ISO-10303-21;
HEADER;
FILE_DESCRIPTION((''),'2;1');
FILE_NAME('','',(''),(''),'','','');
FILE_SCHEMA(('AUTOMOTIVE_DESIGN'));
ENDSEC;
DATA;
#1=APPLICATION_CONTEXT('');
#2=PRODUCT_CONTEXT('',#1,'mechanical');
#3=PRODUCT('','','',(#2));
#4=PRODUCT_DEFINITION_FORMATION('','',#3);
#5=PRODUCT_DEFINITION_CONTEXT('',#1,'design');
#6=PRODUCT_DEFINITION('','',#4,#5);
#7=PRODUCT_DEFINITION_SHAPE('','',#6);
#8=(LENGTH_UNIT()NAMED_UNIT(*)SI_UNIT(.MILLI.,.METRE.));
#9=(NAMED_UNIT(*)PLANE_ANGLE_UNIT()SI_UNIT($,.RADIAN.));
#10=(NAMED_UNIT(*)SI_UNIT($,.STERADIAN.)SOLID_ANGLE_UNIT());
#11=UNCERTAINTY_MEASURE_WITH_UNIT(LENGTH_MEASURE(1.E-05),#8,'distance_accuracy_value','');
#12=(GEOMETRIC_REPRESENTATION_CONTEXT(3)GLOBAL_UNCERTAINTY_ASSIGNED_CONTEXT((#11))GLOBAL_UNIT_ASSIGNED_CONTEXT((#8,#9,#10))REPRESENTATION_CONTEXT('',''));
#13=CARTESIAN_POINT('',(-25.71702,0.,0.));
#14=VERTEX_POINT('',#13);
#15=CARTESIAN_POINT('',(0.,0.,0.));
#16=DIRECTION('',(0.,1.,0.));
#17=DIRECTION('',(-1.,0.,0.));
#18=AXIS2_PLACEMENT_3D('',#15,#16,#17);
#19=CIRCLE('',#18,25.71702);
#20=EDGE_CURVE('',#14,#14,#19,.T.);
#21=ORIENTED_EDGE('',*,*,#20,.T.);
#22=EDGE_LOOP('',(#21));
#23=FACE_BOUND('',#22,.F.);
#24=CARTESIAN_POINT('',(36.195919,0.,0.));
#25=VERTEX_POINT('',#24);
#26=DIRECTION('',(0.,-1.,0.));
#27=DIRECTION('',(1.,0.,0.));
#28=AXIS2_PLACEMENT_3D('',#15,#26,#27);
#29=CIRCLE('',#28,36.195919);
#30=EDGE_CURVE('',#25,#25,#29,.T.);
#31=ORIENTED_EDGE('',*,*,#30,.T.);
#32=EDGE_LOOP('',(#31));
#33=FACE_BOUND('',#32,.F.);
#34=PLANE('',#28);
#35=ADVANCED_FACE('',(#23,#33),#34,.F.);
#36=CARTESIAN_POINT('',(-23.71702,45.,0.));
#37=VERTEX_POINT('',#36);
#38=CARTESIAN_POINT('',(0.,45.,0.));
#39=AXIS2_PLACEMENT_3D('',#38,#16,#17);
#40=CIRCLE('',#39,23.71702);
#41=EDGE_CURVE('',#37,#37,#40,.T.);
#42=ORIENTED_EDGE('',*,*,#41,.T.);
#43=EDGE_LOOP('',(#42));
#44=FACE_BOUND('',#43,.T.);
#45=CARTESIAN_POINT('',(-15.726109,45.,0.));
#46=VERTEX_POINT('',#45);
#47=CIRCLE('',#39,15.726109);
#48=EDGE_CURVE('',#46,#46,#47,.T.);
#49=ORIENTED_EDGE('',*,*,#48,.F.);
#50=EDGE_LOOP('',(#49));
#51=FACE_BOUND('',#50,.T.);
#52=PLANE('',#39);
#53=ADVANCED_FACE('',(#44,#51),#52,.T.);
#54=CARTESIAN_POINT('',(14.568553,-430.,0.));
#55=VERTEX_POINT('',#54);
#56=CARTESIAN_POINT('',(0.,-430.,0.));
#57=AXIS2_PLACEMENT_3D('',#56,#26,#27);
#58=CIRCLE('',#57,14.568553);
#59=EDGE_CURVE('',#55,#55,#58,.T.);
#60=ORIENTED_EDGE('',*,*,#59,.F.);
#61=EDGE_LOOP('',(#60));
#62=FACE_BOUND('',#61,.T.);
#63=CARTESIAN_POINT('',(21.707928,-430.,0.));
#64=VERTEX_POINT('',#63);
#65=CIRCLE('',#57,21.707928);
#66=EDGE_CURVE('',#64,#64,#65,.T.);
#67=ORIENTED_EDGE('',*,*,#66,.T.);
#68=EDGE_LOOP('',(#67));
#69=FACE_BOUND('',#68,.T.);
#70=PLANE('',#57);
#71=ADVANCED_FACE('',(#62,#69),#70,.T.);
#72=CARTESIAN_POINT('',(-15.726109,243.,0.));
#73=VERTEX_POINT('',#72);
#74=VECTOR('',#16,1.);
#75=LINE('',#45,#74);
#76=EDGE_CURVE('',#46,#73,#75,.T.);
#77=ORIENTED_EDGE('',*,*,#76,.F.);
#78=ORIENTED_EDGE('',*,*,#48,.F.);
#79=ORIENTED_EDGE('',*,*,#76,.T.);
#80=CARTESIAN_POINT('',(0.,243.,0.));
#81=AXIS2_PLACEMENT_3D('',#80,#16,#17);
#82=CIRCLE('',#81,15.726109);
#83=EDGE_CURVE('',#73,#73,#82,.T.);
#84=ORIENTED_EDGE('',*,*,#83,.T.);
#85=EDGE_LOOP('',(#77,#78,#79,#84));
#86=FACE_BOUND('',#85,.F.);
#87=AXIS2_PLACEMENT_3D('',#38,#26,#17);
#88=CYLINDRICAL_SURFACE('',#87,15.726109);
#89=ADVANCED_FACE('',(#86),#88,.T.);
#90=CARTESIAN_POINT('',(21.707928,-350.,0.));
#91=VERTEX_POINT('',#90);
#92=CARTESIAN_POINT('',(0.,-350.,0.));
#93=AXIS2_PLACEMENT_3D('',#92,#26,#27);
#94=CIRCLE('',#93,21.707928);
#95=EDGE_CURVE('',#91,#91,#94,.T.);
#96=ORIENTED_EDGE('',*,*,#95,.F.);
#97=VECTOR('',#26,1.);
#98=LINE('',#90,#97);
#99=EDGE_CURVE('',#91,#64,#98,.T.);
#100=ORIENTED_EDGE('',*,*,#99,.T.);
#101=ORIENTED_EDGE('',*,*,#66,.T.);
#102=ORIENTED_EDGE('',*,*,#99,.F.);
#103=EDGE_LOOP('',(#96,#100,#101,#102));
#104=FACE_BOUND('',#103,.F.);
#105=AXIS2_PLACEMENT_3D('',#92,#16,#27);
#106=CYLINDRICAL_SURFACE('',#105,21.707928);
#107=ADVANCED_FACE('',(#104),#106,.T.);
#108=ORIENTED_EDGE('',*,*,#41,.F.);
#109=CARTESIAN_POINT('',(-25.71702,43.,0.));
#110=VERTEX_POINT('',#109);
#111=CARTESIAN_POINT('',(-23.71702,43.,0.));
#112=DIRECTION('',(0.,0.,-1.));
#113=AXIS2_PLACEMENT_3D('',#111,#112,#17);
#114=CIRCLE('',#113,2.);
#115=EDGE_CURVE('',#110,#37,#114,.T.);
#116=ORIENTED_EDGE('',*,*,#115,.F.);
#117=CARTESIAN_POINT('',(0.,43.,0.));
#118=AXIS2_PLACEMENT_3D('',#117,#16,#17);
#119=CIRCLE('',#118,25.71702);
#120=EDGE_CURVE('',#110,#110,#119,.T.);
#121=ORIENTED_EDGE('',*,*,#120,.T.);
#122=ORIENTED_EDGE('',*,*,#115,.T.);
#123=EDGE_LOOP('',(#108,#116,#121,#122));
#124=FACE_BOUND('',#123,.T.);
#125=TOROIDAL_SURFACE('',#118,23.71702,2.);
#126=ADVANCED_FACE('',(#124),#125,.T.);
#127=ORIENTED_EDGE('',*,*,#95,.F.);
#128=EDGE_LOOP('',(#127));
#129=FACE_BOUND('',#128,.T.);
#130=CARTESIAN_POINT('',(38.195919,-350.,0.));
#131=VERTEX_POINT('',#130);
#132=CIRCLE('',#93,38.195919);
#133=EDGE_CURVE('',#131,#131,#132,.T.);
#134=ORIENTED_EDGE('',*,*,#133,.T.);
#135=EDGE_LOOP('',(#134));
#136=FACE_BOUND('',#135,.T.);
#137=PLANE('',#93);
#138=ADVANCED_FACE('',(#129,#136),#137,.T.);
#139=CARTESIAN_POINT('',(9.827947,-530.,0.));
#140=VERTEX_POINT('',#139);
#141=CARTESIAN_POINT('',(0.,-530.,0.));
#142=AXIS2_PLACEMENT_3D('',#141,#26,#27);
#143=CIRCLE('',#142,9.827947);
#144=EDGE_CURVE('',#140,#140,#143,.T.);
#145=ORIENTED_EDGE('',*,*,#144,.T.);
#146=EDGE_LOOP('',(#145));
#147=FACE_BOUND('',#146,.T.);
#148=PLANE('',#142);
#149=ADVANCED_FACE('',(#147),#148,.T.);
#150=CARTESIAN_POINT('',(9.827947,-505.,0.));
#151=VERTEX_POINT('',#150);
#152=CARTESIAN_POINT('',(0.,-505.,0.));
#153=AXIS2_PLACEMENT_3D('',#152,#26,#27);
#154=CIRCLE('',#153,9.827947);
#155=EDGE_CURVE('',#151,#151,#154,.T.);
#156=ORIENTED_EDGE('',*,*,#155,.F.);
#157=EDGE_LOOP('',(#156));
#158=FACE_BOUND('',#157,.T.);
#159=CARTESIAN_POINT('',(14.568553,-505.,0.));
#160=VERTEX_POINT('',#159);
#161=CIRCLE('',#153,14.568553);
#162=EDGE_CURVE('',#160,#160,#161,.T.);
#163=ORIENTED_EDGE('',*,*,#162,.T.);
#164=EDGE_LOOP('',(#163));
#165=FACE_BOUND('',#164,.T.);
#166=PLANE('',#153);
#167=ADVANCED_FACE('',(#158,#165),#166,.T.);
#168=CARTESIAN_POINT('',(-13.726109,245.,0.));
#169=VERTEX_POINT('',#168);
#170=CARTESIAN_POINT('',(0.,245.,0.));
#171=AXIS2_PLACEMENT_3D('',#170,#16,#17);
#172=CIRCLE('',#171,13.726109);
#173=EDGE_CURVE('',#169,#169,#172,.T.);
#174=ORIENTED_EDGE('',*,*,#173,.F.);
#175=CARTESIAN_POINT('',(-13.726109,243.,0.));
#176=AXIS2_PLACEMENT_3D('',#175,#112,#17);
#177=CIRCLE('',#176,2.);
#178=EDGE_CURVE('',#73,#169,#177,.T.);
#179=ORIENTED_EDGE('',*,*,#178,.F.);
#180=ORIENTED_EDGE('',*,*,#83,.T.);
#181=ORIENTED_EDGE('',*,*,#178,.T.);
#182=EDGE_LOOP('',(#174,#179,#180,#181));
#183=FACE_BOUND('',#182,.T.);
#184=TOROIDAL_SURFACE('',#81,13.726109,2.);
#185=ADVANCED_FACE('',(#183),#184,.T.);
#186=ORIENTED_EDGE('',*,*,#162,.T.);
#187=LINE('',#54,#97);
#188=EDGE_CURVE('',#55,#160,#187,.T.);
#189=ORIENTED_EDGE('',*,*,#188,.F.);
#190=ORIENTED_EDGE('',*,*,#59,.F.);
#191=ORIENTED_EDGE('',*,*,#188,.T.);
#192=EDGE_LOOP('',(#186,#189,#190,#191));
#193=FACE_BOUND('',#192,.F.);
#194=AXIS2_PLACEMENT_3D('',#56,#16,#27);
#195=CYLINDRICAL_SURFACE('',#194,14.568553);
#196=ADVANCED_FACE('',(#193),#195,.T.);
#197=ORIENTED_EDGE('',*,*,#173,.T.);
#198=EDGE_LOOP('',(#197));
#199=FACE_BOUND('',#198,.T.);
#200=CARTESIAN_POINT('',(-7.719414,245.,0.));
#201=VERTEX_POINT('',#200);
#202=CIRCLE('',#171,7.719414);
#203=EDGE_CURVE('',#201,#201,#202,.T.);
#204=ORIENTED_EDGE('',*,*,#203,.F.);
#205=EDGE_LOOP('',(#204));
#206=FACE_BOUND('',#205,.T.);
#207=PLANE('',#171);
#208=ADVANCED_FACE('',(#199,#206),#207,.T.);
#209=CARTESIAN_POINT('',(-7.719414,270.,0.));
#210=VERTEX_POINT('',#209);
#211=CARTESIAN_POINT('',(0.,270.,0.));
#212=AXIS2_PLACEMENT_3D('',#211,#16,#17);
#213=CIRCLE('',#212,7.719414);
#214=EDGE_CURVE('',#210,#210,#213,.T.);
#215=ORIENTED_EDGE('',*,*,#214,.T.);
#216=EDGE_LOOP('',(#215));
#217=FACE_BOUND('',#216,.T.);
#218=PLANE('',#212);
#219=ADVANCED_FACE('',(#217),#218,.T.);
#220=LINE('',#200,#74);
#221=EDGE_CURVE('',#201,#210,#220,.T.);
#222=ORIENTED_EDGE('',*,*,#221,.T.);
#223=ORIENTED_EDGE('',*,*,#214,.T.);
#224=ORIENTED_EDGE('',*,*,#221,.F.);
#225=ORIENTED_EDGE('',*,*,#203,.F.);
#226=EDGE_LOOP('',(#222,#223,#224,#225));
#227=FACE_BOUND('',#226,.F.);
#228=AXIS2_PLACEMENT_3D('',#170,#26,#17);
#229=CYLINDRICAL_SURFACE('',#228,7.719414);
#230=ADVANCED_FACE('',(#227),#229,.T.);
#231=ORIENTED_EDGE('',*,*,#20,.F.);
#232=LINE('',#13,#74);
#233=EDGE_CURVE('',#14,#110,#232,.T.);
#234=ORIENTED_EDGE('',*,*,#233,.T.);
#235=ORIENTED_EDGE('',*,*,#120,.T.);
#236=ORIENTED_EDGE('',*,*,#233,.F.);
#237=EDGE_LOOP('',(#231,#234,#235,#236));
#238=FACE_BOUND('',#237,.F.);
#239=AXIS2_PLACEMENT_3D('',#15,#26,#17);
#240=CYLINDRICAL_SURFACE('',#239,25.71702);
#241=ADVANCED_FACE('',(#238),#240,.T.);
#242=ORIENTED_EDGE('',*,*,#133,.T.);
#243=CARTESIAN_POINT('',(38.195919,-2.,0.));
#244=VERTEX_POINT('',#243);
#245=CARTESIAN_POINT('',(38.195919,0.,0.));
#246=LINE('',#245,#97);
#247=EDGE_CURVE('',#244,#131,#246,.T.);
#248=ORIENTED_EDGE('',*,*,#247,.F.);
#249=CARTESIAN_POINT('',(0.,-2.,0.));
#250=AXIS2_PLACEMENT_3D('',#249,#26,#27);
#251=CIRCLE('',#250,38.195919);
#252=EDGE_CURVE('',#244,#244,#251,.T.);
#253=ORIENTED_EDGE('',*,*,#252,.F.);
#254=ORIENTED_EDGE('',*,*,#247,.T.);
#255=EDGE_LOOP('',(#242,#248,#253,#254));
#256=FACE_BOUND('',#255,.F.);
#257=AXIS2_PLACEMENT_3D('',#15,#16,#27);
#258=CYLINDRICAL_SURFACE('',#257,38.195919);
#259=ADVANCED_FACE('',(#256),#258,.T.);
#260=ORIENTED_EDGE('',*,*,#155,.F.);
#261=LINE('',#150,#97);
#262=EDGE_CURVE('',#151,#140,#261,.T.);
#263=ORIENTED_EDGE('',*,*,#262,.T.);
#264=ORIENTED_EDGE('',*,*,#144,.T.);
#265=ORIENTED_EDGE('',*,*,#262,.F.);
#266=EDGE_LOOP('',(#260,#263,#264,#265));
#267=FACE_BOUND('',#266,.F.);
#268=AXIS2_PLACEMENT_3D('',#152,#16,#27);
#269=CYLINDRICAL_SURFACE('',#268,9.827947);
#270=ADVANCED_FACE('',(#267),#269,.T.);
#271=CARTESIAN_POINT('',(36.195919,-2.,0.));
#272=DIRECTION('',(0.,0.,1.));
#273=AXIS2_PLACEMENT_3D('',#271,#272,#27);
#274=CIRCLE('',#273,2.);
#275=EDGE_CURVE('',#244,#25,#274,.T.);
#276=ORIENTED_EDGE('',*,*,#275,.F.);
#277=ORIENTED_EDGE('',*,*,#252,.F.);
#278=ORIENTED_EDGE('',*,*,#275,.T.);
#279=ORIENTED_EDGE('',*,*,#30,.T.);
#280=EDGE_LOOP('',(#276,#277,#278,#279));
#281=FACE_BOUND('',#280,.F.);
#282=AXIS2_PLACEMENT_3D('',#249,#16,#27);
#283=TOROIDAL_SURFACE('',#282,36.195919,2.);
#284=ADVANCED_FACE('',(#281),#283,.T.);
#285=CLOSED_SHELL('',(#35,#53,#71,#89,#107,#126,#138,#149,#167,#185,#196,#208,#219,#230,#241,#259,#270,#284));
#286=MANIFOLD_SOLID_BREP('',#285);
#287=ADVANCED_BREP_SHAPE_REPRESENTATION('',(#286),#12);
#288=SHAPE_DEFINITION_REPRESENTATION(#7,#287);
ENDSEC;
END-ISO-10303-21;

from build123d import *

# Parameters (mm, degrees)
F0_R      = 38.195919
F1_DEPTH  = 350
F2_R      = 25.71702
F3_DEPTH  = 45
F4_R      = 15.726109
F5_DEPTH  = 200
F6_R      = 2
F7_R      = 7.719414
F8_DEPTH  = 25
F9_R      = 21.707928
F10_DEPTH = 80
F11_R     = 14.568553
F12_DEPTH = 75
F13_R     = 9.827947
F14_DEPTH = 25


with BuildPart() as f1:
    # F0 (on Front) → F1 (new body)
    with BuildSketch(Plane.XZ):
        Circle(F0_R)
    extrude(amount=F1_DEPTH)

    # F2 (on face) → F3 (join)
    with BuildSketch(Plane(origin=(0, 0, 0), x_dir=(-1, 0, 0), z_dir=(0, 1, 0))):
        Circle(F2_R)
    extrude(amount=F3_DEPTH)

    # F4 (on face) → F5 (join)
    with BuildSketch(Plane(origin=(0, 45, 0), x_dir=(-1, 0, 0), z_dir=(0, 1, 0))):
        Circle(F4_R)
    extrude(amount=F5_DEPTH)

    # F6
    f6_edges = [f1.edges().sort_by_distance(p)[0] for p in [
        (15.726109, 245, 0),
        (25.71702, 45, 0),
        (-38.195919, 0, 0),
    ]]
    fillet(f6_edges, radius=F6_R)

    # F7 (on face) → F8 (join)
    with BuildSketch(Plane(origin=(0, 245, 0), x_dir=(-1, 0, 0), z_dir=(0, 1, 0))):
        Circle(F7_R)
    extrude(amount=F8_DEPTH)

    # F9 (on face) → F10 (join)
    with BuildSketch(Plane.XZ.offset(350)):
        Circle(F9_R)
    extrude(amount=F10_DEPTH)

    # F11 (on face) → F12 (join)
    with BuildSketch(Plane.XZ.offset(430)):
        Circle(F11_R)
    extrude(amount=F12_DEPTH)

    # F13 (on face) → F14 (join)
    with BuildSketch(Plane.XZ.offset(505)):
        Circle(F13_R)
    extrude(amount=F14_DEPTH)


solid = f1.part
